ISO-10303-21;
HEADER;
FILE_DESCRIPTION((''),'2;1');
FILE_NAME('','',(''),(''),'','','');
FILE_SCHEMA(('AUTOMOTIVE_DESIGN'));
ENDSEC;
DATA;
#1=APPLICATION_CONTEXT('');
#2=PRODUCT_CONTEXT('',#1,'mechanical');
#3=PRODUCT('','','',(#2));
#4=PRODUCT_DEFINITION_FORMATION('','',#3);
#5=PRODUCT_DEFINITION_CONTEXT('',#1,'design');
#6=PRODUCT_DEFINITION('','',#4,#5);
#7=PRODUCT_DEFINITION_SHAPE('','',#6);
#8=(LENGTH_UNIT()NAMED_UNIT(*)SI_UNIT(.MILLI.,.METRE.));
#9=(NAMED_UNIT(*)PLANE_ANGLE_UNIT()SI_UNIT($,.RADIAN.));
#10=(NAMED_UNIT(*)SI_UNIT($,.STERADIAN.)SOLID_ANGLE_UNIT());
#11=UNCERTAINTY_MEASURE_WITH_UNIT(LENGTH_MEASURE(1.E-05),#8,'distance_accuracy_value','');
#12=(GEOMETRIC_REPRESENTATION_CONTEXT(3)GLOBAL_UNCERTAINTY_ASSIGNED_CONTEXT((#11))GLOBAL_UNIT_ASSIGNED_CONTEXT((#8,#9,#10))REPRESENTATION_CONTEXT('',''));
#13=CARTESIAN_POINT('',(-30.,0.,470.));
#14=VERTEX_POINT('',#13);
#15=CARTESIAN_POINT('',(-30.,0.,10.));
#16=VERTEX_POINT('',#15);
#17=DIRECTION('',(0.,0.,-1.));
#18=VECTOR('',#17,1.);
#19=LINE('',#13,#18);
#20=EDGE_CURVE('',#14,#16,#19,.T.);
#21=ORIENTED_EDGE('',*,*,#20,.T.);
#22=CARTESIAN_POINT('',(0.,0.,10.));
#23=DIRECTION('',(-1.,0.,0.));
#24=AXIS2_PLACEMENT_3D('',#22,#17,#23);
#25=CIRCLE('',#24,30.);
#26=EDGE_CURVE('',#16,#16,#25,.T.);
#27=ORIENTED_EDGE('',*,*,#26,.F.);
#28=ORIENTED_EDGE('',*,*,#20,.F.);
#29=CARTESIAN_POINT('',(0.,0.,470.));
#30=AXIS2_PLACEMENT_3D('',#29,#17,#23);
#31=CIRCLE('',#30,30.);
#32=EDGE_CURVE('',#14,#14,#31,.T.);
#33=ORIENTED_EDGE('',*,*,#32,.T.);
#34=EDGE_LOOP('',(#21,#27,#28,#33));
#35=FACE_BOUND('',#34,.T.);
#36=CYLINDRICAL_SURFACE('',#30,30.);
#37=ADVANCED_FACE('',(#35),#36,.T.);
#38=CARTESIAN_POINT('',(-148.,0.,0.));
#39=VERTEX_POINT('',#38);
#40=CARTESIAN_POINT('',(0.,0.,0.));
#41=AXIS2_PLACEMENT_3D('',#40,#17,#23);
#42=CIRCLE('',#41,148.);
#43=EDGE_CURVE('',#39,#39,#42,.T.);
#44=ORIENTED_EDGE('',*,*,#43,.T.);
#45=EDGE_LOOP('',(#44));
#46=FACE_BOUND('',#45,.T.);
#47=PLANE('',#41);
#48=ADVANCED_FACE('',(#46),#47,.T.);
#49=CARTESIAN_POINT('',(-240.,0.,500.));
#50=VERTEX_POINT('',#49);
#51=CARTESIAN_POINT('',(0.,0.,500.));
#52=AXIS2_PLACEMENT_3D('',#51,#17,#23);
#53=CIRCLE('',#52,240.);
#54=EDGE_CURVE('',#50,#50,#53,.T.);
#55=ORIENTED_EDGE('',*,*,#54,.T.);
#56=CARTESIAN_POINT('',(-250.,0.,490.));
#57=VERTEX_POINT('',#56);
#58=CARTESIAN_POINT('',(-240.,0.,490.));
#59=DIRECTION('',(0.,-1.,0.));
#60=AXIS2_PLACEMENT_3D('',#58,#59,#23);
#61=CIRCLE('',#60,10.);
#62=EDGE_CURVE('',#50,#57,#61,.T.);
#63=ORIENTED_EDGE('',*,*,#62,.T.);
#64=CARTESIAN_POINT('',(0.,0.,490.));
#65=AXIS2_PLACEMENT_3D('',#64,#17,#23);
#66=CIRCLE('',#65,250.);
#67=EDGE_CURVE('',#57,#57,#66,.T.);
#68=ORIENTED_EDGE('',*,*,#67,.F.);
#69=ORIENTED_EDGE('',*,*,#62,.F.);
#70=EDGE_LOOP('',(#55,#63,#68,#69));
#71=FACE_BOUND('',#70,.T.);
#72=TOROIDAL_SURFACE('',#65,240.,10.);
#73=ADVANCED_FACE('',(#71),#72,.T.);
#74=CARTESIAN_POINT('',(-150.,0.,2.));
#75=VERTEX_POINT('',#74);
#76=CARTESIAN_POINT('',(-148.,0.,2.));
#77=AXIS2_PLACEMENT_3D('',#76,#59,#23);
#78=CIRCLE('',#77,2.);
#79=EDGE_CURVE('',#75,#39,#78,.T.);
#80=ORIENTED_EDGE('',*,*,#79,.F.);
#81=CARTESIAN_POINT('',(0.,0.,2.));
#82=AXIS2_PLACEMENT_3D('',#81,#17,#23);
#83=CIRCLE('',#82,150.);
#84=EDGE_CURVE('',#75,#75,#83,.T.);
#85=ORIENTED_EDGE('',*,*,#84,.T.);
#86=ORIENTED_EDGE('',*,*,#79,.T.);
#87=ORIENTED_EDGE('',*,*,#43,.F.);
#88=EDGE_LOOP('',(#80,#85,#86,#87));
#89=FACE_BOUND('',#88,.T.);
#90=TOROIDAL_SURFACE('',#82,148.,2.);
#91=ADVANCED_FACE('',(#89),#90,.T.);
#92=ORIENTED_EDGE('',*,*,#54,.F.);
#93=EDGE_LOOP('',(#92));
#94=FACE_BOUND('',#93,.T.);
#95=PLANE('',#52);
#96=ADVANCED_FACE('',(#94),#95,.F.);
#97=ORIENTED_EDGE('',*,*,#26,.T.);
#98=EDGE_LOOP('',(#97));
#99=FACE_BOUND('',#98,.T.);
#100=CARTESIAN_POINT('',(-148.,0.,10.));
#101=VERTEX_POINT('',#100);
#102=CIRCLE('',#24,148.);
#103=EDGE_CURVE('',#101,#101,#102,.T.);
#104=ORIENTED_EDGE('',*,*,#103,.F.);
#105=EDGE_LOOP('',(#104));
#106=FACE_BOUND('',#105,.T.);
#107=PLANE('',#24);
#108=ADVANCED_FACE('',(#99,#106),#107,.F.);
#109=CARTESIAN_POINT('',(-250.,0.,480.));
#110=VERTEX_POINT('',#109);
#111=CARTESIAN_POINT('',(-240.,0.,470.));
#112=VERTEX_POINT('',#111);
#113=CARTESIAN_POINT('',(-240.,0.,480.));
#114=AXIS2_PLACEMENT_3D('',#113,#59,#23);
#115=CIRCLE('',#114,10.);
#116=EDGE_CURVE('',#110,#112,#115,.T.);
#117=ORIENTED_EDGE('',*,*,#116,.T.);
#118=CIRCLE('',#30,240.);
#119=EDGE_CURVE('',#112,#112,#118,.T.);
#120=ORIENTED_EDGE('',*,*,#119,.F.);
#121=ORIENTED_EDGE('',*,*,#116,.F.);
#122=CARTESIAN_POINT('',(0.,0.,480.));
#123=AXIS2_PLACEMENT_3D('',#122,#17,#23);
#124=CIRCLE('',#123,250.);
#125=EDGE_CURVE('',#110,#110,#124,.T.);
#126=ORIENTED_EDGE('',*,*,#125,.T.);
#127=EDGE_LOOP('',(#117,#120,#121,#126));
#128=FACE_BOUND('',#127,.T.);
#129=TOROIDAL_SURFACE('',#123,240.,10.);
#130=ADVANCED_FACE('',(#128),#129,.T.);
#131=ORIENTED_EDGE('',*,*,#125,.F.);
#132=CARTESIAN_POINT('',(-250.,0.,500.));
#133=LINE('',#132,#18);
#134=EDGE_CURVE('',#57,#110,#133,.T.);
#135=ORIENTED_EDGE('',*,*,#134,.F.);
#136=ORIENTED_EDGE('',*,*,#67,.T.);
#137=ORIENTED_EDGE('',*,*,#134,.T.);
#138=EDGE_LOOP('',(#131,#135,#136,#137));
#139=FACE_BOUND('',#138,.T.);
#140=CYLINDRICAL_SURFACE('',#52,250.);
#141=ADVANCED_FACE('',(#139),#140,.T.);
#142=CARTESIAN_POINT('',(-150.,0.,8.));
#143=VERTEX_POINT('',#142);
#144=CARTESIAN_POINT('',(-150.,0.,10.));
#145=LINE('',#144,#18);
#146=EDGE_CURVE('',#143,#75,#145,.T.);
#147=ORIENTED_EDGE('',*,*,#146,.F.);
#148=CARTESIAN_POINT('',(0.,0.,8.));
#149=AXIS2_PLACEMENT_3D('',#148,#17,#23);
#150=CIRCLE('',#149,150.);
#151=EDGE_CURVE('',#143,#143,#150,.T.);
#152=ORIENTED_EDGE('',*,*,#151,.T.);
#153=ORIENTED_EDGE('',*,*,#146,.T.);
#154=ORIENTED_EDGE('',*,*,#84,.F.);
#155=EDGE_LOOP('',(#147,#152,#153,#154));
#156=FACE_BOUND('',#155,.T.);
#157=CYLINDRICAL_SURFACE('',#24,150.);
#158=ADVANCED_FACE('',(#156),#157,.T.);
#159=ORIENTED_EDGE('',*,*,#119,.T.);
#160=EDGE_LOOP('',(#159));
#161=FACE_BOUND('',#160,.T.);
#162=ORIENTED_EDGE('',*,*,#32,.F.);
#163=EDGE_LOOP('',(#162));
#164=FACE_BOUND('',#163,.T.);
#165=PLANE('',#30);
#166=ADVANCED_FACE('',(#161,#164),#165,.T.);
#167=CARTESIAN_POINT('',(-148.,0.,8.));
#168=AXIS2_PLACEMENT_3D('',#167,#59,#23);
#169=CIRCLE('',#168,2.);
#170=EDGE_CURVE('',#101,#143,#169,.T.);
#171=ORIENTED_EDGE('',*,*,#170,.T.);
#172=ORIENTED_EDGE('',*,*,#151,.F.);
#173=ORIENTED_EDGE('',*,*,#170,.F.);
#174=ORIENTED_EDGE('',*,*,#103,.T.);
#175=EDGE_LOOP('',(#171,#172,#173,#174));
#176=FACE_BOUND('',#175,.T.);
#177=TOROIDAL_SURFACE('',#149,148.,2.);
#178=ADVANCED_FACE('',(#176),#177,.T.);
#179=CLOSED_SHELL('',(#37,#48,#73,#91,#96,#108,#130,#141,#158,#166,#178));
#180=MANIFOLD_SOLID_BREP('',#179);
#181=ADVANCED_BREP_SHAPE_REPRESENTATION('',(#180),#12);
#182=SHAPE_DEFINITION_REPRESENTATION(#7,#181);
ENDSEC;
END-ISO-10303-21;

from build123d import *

# Parameters (mm, degrees)
F2_R = 10
F3_R = 2


with BuildPart() as f1:
    # F0 (on Front) → F1 (revolve)
    with BuildSketch(Plane.XZ):
        Polygon((-150, 0), (0, 0), (0, 500), (-250, 500), (-250, 470), (-30, 470), (-30, 10), (-150, 10), align=None)
    revolve(axis=Axis((0, 0, 250), (0, 0, -1)))

    # F2
    f2_edges = [f1.edges().sort_by_distance(p)[0] for p in [
        (250, 0, 500),
        (250, 0, 470),
    ]]
    fillet(f2_edges, radius=F2_R)

    # F3
    f3_edges = [f1.edges().sort_by_distance(p)[0] for p in [
        (150, 0, 0),
        (150, 0, 10),
    ]]
    fillet(f3_edges, radius=F3_R)


solid = f1.part
